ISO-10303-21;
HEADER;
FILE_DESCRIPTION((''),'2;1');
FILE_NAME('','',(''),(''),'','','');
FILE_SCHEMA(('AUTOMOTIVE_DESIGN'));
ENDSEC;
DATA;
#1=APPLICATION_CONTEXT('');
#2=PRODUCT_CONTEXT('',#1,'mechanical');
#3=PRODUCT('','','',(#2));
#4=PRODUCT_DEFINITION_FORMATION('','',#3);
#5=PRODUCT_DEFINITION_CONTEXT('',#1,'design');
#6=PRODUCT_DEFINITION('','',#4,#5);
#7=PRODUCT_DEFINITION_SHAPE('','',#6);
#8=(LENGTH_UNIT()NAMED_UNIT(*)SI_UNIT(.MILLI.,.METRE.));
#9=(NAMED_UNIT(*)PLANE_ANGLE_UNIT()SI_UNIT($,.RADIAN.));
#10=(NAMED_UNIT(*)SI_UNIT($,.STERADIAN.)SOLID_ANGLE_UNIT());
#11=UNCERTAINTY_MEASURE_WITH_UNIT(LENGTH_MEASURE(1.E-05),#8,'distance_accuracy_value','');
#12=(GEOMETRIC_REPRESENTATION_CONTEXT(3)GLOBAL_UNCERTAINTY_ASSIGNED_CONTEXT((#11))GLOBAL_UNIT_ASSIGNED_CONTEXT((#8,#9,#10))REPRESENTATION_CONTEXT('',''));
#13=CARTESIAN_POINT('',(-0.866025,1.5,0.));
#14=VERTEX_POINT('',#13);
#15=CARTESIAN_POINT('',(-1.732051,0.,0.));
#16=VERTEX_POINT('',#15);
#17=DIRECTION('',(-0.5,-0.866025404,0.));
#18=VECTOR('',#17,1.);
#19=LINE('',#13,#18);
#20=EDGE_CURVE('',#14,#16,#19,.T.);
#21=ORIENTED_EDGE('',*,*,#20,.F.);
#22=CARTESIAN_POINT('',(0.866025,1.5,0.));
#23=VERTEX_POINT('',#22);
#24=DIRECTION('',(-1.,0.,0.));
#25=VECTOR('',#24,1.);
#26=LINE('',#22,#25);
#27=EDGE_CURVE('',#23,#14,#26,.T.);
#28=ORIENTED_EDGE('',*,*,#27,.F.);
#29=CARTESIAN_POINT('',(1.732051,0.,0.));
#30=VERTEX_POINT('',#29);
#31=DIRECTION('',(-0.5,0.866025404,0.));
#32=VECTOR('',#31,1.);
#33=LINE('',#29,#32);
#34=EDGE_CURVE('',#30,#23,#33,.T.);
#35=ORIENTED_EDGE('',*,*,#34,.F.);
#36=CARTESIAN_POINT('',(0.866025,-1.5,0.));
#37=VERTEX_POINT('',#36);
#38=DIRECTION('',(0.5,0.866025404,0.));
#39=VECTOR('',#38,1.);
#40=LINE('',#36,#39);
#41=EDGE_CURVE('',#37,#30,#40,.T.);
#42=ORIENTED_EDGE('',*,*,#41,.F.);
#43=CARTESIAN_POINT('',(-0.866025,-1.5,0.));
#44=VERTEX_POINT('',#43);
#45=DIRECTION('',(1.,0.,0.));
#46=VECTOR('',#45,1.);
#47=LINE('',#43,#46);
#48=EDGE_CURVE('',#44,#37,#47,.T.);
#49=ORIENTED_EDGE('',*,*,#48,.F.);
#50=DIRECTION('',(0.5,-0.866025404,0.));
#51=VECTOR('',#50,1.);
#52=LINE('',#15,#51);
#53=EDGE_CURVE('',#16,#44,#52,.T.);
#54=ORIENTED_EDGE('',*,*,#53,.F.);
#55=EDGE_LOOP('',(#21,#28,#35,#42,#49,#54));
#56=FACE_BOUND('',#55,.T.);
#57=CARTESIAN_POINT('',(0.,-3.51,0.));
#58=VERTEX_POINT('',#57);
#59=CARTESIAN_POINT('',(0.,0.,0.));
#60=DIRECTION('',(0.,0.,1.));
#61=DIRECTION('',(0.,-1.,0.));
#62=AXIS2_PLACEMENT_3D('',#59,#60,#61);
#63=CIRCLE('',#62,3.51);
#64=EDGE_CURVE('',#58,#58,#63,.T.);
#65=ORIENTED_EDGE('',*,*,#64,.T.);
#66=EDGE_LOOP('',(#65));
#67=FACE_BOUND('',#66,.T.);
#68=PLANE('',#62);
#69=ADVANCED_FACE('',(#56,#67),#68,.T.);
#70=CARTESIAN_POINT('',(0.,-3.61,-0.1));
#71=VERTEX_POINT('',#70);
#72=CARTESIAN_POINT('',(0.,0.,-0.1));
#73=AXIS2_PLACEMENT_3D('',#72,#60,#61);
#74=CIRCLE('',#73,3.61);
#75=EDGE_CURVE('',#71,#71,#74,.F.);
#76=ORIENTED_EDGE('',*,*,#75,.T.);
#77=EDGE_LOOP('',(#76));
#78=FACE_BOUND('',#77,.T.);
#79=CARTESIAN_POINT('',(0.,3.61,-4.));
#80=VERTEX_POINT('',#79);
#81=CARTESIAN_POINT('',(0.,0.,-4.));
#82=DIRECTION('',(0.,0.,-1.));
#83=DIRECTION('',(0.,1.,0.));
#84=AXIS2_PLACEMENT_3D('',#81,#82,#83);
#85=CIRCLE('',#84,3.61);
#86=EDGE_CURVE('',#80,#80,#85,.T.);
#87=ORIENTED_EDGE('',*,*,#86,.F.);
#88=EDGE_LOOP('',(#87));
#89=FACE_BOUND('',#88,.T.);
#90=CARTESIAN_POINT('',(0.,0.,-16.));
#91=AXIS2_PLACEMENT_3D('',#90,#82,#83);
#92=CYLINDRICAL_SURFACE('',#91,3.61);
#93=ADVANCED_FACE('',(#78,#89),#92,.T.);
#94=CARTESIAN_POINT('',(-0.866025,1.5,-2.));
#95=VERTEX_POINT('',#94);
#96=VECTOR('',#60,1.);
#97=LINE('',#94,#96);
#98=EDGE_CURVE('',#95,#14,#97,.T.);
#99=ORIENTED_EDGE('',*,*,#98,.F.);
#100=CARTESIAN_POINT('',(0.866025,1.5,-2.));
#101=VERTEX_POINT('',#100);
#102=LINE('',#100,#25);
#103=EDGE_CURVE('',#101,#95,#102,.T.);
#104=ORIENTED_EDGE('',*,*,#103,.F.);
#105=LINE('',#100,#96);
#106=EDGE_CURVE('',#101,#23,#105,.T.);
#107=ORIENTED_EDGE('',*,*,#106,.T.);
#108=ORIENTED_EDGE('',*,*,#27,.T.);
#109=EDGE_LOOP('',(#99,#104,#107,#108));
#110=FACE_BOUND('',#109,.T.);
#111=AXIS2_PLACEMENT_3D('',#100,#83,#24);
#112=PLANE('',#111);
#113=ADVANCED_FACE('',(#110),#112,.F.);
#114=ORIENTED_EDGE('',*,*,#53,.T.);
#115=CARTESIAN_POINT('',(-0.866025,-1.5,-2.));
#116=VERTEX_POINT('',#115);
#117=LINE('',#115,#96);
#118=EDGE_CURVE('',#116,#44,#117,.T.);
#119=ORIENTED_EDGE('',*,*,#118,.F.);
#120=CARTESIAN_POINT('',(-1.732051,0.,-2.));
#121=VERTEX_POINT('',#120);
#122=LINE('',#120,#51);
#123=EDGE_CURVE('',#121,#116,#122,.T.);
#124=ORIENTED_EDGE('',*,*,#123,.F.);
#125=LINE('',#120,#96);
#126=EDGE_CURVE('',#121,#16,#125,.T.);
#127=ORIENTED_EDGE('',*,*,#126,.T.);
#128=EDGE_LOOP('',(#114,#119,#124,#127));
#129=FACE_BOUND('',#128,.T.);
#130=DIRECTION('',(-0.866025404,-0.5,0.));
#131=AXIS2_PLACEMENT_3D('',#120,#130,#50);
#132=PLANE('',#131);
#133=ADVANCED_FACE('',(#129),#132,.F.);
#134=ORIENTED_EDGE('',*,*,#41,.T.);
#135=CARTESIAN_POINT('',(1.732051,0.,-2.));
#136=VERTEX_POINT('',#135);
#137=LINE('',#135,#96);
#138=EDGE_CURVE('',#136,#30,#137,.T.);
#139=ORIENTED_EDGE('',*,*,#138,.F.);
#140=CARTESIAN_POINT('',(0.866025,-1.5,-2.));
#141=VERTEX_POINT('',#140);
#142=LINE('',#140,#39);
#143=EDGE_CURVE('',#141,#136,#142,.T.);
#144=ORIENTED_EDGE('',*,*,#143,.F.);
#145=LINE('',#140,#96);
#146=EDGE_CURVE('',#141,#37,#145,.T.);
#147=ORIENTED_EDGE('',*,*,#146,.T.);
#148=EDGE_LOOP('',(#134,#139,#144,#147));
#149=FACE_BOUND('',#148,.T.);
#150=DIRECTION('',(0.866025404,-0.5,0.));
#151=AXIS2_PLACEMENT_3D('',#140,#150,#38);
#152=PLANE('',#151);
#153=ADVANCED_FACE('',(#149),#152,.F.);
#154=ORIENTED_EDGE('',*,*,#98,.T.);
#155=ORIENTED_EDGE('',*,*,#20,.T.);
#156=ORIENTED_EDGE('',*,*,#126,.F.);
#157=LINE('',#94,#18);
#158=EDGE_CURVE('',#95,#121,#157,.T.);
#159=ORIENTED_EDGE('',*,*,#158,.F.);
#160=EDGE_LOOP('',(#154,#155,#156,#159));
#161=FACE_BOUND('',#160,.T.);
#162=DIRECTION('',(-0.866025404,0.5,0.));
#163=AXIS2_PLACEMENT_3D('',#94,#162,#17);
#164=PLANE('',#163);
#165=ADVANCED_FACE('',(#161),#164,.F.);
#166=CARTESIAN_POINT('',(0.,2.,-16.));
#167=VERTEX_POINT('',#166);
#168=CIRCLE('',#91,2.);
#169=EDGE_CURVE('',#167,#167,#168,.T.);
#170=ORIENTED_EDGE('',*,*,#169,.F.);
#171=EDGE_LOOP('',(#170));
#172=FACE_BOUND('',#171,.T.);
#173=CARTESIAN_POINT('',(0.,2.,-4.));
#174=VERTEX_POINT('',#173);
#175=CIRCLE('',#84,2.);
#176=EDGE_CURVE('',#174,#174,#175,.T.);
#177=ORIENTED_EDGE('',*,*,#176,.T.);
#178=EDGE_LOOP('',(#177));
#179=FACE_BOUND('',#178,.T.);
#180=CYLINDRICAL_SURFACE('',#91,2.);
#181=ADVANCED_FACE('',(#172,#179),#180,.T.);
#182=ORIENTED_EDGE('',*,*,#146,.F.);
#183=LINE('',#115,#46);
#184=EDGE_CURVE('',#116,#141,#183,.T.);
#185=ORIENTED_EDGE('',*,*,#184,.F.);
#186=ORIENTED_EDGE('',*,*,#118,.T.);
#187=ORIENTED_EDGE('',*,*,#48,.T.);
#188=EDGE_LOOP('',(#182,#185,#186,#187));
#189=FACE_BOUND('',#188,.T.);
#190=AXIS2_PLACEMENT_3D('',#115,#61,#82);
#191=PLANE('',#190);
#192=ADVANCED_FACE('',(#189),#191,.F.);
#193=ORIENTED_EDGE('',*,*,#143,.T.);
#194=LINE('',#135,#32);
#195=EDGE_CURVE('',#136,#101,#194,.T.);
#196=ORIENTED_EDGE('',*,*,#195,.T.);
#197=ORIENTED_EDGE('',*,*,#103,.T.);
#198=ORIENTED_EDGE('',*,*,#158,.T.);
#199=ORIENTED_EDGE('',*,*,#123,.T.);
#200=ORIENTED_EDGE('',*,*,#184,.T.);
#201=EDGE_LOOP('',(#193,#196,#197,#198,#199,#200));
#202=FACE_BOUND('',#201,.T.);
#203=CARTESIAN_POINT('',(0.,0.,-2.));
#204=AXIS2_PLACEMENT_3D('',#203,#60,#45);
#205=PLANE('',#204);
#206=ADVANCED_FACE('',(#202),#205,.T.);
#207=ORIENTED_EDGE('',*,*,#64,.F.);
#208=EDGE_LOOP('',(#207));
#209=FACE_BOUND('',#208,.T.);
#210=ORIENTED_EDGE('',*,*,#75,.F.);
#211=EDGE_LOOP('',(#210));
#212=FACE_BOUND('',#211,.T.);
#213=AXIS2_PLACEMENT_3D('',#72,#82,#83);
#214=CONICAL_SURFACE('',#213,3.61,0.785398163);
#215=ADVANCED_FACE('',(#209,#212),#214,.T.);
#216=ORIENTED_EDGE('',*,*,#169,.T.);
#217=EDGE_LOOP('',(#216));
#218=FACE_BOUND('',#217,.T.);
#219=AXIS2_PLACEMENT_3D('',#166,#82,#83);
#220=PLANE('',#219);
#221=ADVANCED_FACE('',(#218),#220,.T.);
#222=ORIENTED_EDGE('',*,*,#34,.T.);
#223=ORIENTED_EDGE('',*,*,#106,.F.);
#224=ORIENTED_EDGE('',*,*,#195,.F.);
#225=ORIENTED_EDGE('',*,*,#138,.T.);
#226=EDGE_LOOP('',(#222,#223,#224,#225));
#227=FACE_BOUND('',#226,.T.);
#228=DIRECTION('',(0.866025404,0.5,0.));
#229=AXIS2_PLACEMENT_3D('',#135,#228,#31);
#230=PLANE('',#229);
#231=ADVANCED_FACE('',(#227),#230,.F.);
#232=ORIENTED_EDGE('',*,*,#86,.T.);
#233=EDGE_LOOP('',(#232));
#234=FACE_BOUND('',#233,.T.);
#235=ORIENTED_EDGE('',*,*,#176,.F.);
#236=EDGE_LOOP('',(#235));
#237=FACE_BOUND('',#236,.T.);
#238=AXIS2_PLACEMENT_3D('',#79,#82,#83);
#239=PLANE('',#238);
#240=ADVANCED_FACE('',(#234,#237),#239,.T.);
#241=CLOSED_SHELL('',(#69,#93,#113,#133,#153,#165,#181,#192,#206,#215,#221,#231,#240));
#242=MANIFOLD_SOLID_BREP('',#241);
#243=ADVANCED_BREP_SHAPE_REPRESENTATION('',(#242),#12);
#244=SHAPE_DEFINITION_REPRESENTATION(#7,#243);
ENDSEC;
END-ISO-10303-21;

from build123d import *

# Parameters (mm, degrees)
CUT_EXTRUDE_1_DEPTH = 2
CHAMFER_620_SIZE    = 0.1


with BuildPart() as part:
    # 草图1 → 旋转1 (revolve)
    with BuildSketch(Plane(origin=(0, 0, 0), x_dir=(0, 0, -1), z_dir=(1, 0, 0))):
        Polygon((0, 0), (0, 3.61), (4, 3.61), (4, 2), (16, 2), (16, 0), align=None)
    revolve(axis=Axis((0, 0, -16), (0, 0, 1)))

    # 草图2 → 切除-拉伸1 (cut)
    with BuildSketch(Plane.XY):
        Polygon((0.866025404, 1.5), (-0.866025404, 1.5), (-1.732050808, 0), (-0.866025404, -1.5), (0.866025404, -1.5), (1.732050808, 0), align=None)
    extrude(amount=-CUT_EXTRUDE_1_DEPTH, mode=Mode.SUBTRACT)

    # Chamfer 620
    chamfer_620_edges = [part.edges().sort_by_distance(p)[0] for p in [
        (0, -3.61, 0),
    ]]
    chamfer(chamfer_620_edges, length=CHAMFER_620_SIZE)


solid = part.part
